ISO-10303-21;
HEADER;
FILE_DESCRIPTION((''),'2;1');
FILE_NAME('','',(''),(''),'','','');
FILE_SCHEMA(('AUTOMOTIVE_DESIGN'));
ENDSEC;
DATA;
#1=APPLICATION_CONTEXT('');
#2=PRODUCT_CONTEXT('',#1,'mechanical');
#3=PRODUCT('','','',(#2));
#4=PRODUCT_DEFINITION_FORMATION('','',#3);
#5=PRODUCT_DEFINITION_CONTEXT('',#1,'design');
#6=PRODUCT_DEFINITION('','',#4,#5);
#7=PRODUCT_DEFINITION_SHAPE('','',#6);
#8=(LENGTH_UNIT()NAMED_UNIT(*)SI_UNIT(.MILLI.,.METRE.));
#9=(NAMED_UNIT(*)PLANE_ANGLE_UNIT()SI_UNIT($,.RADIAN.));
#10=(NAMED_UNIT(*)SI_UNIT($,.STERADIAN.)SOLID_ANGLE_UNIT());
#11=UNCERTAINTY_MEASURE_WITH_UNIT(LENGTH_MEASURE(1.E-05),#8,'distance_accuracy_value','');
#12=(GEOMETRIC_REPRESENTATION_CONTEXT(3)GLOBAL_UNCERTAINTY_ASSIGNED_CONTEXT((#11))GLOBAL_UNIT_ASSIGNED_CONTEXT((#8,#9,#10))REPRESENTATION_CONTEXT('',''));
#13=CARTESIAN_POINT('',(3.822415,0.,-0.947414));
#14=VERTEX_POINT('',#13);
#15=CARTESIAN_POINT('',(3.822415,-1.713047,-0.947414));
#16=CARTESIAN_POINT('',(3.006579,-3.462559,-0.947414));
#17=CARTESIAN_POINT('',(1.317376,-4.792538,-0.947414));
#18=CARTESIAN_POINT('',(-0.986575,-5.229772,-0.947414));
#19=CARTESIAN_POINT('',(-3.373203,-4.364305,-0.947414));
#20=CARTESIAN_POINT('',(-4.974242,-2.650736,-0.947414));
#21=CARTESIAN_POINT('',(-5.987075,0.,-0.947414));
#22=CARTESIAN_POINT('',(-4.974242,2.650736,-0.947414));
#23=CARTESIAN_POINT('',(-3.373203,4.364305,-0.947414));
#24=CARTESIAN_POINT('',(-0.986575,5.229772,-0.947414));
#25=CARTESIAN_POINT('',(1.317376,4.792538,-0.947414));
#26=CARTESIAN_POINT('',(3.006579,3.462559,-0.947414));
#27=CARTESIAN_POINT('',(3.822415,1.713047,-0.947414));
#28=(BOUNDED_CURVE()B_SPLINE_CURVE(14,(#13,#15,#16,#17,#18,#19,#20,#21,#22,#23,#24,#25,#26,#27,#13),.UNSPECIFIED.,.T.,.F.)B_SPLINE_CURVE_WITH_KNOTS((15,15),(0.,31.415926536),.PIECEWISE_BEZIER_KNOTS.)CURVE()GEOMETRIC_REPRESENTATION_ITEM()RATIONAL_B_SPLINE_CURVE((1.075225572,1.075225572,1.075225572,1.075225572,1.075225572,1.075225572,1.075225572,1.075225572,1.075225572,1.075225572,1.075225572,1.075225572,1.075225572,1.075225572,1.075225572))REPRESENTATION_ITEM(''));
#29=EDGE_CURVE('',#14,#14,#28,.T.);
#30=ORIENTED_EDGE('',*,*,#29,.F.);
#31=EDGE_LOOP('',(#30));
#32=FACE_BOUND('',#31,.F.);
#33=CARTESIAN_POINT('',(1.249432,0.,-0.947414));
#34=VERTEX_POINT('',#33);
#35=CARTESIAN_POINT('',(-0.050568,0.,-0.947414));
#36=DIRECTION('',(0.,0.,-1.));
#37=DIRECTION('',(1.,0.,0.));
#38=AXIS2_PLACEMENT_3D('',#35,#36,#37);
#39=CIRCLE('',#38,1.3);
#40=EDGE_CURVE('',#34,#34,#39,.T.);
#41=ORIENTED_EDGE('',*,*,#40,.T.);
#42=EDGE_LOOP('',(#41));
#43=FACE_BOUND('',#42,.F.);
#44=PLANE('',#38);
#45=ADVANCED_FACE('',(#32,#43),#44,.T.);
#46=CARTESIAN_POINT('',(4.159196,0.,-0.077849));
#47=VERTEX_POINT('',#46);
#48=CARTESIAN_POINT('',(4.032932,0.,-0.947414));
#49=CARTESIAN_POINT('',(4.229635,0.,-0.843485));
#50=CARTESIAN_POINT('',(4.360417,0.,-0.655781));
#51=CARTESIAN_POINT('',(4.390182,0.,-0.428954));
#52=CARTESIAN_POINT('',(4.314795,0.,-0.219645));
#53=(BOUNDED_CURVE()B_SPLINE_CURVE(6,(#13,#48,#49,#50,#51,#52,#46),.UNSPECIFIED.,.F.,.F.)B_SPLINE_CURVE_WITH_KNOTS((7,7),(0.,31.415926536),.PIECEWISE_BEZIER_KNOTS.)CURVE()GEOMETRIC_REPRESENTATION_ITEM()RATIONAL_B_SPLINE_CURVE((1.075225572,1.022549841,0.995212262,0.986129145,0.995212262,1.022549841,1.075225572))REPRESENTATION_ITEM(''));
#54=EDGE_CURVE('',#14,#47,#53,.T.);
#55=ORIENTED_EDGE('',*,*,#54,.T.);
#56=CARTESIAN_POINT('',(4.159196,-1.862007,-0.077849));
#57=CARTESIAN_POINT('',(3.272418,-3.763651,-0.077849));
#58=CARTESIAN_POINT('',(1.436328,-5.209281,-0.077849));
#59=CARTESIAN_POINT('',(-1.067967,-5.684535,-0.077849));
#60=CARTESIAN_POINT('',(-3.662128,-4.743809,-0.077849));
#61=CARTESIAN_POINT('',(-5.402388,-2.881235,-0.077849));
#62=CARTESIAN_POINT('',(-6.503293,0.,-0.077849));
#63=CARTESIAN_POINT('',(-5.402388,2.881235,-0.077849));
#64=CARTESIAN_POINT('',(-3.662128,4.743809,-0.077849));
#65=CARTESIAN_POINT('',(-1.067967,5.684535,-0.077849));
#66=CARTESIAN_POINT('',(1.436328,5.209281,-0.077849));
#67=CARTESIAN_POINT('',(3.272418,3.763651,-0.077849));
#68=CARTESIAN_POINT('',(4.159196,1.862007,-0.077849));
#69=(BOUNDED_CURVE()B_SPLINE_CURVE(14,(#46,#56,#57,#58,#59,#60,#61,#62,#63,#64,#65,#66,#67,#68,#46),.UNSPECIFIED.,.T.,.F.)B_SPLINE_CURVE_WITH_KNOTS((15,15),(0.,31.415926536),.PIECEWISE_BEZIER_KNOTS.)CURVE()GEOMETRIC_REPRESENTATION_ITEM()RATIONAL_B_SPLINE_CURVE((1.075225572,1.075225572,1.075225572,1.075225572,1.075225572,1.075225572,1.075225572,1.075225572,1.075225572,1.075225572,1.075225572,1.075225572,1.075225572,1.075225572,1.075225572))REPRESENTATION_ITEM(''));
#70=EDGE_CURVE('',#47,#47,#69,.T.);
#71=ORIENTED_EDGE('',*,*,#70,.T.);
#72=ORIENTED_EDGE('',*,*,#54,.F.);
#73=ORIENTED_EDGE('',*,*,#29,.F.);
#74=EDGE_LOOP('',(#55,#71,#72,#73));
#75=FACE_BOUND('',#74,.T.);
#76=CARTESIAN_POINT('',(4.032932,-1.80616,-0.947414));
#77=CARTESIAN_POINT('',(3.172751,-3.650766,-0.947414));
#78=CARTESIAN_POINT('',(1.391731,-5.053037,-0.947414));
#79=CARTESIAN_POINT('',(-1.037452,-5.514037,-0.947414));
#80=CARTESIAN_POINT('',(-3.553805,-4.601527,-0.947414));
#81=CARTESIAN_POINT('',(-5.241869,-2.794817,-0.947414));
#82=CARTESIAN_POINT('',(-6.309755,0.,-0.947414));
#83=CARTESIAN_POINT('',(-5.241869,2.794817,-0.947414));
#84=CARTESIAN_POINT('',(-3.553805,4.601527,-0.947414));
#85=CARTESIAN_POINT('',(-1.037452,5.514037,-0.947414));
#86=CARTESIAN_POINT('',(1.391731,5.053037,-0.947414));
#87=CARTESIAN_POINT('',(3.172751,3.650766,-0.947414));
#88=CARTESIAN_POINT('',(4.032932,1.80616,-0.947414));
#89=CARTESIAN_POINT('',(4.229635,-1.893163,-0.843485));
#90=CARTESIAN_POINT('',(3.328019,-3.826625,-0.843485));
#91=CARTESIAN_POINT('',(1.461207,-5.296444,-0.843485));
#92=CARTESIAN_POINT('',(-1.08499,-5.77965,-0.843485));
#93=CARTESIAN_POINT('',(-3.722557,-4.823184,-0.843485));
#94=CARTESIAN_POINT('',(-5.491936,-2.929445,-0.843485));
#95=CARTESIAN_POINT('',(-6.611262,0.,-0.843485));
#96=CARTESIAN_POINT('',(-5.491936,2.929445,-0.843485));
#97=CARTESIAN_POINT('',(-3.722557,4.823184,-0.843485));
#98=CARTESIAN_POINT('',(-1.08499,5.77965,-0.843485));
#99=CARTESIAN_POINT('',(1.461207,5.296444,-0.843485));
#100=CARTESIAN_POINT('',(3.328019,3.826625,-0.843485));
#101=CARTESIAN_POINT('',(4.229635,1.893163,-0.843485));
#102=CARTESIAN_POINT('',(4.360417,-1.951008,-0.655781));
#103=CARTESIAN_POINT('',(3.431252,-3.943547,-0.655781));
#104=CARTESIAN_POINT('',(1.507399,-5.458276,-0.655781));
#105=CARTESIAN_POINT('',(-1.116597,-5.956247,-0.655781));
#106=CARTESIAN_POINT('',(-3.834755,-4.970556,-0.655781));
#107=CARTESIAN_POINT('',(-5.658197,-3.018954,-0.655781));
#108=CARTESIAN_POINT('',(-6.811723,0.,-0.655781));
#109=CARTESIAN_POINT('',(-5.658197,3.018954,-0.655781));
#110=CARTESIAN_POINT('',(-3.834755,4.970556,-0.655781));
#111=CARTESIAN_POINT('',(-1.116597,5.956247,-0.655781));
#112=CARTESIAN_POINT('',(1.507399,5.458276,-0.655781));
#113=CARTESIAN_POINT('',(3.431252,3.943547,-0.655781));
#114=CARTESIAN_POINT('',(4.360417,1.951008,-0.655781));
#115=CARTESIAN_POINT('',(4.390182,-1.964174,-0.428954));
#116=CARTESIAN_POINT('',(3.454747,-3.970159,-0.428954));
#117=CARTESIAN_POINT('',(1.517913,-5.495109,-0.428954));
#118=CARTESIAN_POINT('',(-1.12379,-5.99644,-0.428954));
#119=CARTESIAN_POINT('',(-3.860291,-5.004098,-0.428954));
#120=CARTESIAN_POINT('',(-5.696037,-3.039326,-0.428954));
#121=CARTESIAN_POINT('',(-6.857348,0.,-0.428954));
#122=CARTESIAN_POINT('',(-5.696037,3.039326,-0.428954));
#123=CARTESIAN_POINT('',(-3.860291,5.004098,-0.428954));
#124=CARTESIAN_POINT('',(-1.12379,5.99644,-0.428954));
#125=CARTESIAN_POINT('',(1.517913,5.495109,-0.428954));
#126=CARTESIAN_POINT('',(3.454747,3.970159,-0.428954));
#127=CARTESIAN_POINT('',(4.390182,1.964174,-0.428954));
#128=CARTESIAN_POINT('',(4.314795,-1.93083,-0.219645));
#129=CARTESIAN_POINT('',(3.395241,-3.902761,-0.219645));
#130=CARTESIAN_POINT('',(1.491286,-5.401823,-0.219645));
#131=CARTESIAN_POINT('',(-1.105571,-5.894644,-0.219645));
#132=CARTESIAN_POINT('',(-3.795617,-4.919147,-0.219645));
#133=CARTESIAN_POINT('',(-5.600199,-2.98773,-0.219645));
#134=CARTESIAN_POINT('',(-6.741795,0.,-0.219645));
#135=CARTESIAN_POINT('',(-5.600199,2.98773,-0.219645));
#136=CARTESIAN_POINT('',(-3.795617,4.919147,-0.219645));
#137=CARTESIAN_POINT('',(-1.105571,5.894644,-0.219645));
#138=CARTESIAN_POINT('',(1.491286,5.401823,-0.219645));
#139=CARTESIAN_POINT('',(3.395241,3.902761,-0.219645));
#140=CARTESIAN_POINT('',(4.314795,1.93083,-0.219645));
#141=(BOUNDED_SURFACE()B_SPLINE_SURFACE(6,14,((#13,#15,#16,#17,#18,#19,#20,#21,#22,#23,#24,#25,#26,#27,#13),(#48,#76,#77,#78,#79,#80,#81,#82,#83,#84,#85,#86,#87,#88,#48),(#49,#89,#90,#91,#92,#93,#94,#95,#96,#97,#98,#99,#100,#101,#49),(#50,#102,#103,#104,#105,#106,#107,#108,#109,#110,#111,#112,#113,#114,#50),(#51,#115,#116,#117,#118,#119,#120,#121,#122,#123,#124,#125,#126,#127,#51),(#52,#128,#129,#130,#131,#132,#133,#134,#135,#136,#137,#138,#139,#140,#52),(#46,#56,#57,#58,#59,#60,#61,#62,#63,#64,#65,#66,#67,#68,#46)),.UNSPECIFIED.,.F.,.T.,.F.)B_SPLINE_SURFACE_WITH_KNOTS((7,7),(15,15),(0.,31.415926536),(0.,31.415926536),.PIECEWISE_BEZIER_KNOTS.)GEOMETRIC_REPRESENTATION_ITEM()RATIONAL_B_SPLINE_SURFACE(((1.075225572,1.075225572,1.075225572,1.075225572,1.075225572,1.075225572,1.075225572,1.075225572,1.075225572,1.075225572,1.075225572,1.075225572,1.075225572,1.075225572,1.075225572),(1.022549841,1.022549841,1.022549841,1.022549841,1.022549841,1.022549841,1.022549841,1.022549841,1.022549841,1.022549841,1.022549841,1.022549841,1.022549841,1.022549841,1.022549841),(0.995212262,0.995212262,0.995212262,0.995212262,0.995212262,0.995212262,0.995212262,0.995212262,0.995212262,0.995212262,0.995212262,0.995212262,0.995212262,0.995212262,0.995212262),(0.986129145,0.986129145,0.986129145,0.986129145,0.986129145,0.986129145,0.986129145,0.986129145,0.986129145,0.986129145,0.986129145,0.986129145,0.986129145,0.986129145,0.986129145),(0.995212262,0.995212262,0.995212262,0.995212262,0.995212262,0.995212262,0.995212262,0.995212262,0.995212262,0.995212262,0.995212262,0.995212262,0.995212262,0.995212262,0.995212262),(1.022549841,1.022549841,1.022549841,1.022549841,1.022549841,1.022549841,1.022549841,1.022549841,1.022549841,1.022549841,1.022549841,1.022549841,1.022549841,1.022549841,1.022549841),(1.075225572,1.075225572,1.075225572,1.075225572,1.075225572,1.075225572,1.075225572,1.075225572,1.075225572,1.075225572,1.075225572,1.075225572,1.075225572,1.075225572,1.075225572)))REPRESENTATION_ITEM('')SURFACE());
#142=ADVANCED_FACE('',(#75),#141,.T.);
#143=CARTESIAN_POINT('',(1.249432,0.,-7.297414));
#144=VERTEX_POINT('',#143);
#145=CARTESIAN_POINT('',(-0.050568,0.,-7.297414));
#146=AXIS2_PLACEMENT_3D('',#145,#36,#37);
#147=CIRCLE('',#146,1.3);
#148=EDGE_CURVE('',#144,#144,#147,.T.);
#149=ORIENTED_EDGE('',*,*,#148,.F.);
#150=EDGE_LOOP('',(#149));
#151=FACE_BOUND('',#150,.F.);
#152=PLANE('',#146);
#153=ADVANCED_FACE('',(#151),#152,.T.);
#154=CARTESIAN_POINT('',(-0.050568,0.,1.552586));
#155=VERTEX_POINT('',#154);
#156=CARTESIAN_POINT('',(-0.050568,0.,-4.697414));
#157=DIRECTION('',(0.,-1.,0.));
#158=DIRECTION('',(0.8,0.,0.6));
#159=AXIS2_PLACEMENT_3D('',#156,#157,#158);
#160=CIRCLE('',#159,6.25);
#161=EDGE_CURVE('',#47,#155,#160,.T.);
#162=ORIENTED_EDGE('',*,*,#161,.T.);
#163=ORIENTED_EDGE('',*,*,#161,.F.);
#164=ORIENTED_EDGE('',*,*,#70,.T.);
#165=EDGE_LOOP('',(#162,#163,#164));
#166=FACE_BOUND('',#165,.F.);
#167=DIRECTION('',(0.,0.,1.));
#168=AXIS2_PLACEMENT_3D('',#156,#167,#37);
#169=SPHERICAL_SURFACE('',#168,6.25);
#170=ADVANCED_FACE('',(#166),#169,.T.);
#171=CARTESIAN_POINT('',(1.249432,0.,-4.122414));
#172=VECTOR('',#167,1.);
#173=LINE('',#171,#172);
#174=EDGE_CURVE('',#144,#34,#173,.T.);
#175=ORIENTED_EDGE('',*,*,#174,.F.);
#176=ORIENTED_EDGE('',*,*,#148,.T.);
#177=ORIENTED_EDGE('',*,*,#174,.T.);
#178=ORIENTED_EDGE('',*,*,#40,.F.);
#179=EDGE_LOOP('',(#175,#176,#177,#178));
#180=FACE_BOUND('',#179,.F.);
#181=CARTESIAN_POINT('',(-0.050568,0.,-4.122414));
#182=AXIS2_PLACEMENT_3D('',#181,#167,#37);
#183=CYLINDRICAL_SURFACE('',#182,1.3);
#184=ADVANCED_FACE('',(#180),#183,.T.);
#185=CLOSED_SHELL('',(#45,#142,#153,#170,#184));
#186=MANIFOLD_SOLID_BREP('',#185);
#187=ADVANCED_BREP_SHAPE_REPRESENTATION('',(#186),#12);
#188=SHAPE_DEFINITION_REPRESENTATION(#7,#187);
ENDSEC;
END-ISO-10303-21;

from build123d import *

# Parameters (mm, degrees)
F0_W = 1.3
F0_H = 6.35
F2_R = 0.5


with BuildPart() as f1:
    # F0 (on Front) → F1 (revolve)
    with BuildSketch(Plane.XZ):
        with BuildLine():
            Line((-0.0505680856, 1.5525856885), (-0.0505680856, -0.9474143115))
            Line((-0.0505680856, -0.9474143115), (1.2494319144, -0.9474143115))
            Line((1.2494319144, -0.9474143115), (4.9494319144, -0.9474143115))
            ThreePointArc((4.9494319144, -0.9474143115), (2.7445168863, 0.8927556323), (-0.0505680856, 1.5525856885))
        make_face()
        with Locations((0.5994319144, -4.1224143115)):
            Rectangle(F0_W, F0_H)
    revolve(axis=Axis((-0.0505680856, 0, -4.1224143115), (0, 0, -1)))

    # F2
    f2_edges = [f1.edges().sort_by_distance(p)[0] for p in [
        (-5.050568, 0, -0.947414),
    ]]
    fillet(f2_edges, radius=F2_R)


solid = f1.part
